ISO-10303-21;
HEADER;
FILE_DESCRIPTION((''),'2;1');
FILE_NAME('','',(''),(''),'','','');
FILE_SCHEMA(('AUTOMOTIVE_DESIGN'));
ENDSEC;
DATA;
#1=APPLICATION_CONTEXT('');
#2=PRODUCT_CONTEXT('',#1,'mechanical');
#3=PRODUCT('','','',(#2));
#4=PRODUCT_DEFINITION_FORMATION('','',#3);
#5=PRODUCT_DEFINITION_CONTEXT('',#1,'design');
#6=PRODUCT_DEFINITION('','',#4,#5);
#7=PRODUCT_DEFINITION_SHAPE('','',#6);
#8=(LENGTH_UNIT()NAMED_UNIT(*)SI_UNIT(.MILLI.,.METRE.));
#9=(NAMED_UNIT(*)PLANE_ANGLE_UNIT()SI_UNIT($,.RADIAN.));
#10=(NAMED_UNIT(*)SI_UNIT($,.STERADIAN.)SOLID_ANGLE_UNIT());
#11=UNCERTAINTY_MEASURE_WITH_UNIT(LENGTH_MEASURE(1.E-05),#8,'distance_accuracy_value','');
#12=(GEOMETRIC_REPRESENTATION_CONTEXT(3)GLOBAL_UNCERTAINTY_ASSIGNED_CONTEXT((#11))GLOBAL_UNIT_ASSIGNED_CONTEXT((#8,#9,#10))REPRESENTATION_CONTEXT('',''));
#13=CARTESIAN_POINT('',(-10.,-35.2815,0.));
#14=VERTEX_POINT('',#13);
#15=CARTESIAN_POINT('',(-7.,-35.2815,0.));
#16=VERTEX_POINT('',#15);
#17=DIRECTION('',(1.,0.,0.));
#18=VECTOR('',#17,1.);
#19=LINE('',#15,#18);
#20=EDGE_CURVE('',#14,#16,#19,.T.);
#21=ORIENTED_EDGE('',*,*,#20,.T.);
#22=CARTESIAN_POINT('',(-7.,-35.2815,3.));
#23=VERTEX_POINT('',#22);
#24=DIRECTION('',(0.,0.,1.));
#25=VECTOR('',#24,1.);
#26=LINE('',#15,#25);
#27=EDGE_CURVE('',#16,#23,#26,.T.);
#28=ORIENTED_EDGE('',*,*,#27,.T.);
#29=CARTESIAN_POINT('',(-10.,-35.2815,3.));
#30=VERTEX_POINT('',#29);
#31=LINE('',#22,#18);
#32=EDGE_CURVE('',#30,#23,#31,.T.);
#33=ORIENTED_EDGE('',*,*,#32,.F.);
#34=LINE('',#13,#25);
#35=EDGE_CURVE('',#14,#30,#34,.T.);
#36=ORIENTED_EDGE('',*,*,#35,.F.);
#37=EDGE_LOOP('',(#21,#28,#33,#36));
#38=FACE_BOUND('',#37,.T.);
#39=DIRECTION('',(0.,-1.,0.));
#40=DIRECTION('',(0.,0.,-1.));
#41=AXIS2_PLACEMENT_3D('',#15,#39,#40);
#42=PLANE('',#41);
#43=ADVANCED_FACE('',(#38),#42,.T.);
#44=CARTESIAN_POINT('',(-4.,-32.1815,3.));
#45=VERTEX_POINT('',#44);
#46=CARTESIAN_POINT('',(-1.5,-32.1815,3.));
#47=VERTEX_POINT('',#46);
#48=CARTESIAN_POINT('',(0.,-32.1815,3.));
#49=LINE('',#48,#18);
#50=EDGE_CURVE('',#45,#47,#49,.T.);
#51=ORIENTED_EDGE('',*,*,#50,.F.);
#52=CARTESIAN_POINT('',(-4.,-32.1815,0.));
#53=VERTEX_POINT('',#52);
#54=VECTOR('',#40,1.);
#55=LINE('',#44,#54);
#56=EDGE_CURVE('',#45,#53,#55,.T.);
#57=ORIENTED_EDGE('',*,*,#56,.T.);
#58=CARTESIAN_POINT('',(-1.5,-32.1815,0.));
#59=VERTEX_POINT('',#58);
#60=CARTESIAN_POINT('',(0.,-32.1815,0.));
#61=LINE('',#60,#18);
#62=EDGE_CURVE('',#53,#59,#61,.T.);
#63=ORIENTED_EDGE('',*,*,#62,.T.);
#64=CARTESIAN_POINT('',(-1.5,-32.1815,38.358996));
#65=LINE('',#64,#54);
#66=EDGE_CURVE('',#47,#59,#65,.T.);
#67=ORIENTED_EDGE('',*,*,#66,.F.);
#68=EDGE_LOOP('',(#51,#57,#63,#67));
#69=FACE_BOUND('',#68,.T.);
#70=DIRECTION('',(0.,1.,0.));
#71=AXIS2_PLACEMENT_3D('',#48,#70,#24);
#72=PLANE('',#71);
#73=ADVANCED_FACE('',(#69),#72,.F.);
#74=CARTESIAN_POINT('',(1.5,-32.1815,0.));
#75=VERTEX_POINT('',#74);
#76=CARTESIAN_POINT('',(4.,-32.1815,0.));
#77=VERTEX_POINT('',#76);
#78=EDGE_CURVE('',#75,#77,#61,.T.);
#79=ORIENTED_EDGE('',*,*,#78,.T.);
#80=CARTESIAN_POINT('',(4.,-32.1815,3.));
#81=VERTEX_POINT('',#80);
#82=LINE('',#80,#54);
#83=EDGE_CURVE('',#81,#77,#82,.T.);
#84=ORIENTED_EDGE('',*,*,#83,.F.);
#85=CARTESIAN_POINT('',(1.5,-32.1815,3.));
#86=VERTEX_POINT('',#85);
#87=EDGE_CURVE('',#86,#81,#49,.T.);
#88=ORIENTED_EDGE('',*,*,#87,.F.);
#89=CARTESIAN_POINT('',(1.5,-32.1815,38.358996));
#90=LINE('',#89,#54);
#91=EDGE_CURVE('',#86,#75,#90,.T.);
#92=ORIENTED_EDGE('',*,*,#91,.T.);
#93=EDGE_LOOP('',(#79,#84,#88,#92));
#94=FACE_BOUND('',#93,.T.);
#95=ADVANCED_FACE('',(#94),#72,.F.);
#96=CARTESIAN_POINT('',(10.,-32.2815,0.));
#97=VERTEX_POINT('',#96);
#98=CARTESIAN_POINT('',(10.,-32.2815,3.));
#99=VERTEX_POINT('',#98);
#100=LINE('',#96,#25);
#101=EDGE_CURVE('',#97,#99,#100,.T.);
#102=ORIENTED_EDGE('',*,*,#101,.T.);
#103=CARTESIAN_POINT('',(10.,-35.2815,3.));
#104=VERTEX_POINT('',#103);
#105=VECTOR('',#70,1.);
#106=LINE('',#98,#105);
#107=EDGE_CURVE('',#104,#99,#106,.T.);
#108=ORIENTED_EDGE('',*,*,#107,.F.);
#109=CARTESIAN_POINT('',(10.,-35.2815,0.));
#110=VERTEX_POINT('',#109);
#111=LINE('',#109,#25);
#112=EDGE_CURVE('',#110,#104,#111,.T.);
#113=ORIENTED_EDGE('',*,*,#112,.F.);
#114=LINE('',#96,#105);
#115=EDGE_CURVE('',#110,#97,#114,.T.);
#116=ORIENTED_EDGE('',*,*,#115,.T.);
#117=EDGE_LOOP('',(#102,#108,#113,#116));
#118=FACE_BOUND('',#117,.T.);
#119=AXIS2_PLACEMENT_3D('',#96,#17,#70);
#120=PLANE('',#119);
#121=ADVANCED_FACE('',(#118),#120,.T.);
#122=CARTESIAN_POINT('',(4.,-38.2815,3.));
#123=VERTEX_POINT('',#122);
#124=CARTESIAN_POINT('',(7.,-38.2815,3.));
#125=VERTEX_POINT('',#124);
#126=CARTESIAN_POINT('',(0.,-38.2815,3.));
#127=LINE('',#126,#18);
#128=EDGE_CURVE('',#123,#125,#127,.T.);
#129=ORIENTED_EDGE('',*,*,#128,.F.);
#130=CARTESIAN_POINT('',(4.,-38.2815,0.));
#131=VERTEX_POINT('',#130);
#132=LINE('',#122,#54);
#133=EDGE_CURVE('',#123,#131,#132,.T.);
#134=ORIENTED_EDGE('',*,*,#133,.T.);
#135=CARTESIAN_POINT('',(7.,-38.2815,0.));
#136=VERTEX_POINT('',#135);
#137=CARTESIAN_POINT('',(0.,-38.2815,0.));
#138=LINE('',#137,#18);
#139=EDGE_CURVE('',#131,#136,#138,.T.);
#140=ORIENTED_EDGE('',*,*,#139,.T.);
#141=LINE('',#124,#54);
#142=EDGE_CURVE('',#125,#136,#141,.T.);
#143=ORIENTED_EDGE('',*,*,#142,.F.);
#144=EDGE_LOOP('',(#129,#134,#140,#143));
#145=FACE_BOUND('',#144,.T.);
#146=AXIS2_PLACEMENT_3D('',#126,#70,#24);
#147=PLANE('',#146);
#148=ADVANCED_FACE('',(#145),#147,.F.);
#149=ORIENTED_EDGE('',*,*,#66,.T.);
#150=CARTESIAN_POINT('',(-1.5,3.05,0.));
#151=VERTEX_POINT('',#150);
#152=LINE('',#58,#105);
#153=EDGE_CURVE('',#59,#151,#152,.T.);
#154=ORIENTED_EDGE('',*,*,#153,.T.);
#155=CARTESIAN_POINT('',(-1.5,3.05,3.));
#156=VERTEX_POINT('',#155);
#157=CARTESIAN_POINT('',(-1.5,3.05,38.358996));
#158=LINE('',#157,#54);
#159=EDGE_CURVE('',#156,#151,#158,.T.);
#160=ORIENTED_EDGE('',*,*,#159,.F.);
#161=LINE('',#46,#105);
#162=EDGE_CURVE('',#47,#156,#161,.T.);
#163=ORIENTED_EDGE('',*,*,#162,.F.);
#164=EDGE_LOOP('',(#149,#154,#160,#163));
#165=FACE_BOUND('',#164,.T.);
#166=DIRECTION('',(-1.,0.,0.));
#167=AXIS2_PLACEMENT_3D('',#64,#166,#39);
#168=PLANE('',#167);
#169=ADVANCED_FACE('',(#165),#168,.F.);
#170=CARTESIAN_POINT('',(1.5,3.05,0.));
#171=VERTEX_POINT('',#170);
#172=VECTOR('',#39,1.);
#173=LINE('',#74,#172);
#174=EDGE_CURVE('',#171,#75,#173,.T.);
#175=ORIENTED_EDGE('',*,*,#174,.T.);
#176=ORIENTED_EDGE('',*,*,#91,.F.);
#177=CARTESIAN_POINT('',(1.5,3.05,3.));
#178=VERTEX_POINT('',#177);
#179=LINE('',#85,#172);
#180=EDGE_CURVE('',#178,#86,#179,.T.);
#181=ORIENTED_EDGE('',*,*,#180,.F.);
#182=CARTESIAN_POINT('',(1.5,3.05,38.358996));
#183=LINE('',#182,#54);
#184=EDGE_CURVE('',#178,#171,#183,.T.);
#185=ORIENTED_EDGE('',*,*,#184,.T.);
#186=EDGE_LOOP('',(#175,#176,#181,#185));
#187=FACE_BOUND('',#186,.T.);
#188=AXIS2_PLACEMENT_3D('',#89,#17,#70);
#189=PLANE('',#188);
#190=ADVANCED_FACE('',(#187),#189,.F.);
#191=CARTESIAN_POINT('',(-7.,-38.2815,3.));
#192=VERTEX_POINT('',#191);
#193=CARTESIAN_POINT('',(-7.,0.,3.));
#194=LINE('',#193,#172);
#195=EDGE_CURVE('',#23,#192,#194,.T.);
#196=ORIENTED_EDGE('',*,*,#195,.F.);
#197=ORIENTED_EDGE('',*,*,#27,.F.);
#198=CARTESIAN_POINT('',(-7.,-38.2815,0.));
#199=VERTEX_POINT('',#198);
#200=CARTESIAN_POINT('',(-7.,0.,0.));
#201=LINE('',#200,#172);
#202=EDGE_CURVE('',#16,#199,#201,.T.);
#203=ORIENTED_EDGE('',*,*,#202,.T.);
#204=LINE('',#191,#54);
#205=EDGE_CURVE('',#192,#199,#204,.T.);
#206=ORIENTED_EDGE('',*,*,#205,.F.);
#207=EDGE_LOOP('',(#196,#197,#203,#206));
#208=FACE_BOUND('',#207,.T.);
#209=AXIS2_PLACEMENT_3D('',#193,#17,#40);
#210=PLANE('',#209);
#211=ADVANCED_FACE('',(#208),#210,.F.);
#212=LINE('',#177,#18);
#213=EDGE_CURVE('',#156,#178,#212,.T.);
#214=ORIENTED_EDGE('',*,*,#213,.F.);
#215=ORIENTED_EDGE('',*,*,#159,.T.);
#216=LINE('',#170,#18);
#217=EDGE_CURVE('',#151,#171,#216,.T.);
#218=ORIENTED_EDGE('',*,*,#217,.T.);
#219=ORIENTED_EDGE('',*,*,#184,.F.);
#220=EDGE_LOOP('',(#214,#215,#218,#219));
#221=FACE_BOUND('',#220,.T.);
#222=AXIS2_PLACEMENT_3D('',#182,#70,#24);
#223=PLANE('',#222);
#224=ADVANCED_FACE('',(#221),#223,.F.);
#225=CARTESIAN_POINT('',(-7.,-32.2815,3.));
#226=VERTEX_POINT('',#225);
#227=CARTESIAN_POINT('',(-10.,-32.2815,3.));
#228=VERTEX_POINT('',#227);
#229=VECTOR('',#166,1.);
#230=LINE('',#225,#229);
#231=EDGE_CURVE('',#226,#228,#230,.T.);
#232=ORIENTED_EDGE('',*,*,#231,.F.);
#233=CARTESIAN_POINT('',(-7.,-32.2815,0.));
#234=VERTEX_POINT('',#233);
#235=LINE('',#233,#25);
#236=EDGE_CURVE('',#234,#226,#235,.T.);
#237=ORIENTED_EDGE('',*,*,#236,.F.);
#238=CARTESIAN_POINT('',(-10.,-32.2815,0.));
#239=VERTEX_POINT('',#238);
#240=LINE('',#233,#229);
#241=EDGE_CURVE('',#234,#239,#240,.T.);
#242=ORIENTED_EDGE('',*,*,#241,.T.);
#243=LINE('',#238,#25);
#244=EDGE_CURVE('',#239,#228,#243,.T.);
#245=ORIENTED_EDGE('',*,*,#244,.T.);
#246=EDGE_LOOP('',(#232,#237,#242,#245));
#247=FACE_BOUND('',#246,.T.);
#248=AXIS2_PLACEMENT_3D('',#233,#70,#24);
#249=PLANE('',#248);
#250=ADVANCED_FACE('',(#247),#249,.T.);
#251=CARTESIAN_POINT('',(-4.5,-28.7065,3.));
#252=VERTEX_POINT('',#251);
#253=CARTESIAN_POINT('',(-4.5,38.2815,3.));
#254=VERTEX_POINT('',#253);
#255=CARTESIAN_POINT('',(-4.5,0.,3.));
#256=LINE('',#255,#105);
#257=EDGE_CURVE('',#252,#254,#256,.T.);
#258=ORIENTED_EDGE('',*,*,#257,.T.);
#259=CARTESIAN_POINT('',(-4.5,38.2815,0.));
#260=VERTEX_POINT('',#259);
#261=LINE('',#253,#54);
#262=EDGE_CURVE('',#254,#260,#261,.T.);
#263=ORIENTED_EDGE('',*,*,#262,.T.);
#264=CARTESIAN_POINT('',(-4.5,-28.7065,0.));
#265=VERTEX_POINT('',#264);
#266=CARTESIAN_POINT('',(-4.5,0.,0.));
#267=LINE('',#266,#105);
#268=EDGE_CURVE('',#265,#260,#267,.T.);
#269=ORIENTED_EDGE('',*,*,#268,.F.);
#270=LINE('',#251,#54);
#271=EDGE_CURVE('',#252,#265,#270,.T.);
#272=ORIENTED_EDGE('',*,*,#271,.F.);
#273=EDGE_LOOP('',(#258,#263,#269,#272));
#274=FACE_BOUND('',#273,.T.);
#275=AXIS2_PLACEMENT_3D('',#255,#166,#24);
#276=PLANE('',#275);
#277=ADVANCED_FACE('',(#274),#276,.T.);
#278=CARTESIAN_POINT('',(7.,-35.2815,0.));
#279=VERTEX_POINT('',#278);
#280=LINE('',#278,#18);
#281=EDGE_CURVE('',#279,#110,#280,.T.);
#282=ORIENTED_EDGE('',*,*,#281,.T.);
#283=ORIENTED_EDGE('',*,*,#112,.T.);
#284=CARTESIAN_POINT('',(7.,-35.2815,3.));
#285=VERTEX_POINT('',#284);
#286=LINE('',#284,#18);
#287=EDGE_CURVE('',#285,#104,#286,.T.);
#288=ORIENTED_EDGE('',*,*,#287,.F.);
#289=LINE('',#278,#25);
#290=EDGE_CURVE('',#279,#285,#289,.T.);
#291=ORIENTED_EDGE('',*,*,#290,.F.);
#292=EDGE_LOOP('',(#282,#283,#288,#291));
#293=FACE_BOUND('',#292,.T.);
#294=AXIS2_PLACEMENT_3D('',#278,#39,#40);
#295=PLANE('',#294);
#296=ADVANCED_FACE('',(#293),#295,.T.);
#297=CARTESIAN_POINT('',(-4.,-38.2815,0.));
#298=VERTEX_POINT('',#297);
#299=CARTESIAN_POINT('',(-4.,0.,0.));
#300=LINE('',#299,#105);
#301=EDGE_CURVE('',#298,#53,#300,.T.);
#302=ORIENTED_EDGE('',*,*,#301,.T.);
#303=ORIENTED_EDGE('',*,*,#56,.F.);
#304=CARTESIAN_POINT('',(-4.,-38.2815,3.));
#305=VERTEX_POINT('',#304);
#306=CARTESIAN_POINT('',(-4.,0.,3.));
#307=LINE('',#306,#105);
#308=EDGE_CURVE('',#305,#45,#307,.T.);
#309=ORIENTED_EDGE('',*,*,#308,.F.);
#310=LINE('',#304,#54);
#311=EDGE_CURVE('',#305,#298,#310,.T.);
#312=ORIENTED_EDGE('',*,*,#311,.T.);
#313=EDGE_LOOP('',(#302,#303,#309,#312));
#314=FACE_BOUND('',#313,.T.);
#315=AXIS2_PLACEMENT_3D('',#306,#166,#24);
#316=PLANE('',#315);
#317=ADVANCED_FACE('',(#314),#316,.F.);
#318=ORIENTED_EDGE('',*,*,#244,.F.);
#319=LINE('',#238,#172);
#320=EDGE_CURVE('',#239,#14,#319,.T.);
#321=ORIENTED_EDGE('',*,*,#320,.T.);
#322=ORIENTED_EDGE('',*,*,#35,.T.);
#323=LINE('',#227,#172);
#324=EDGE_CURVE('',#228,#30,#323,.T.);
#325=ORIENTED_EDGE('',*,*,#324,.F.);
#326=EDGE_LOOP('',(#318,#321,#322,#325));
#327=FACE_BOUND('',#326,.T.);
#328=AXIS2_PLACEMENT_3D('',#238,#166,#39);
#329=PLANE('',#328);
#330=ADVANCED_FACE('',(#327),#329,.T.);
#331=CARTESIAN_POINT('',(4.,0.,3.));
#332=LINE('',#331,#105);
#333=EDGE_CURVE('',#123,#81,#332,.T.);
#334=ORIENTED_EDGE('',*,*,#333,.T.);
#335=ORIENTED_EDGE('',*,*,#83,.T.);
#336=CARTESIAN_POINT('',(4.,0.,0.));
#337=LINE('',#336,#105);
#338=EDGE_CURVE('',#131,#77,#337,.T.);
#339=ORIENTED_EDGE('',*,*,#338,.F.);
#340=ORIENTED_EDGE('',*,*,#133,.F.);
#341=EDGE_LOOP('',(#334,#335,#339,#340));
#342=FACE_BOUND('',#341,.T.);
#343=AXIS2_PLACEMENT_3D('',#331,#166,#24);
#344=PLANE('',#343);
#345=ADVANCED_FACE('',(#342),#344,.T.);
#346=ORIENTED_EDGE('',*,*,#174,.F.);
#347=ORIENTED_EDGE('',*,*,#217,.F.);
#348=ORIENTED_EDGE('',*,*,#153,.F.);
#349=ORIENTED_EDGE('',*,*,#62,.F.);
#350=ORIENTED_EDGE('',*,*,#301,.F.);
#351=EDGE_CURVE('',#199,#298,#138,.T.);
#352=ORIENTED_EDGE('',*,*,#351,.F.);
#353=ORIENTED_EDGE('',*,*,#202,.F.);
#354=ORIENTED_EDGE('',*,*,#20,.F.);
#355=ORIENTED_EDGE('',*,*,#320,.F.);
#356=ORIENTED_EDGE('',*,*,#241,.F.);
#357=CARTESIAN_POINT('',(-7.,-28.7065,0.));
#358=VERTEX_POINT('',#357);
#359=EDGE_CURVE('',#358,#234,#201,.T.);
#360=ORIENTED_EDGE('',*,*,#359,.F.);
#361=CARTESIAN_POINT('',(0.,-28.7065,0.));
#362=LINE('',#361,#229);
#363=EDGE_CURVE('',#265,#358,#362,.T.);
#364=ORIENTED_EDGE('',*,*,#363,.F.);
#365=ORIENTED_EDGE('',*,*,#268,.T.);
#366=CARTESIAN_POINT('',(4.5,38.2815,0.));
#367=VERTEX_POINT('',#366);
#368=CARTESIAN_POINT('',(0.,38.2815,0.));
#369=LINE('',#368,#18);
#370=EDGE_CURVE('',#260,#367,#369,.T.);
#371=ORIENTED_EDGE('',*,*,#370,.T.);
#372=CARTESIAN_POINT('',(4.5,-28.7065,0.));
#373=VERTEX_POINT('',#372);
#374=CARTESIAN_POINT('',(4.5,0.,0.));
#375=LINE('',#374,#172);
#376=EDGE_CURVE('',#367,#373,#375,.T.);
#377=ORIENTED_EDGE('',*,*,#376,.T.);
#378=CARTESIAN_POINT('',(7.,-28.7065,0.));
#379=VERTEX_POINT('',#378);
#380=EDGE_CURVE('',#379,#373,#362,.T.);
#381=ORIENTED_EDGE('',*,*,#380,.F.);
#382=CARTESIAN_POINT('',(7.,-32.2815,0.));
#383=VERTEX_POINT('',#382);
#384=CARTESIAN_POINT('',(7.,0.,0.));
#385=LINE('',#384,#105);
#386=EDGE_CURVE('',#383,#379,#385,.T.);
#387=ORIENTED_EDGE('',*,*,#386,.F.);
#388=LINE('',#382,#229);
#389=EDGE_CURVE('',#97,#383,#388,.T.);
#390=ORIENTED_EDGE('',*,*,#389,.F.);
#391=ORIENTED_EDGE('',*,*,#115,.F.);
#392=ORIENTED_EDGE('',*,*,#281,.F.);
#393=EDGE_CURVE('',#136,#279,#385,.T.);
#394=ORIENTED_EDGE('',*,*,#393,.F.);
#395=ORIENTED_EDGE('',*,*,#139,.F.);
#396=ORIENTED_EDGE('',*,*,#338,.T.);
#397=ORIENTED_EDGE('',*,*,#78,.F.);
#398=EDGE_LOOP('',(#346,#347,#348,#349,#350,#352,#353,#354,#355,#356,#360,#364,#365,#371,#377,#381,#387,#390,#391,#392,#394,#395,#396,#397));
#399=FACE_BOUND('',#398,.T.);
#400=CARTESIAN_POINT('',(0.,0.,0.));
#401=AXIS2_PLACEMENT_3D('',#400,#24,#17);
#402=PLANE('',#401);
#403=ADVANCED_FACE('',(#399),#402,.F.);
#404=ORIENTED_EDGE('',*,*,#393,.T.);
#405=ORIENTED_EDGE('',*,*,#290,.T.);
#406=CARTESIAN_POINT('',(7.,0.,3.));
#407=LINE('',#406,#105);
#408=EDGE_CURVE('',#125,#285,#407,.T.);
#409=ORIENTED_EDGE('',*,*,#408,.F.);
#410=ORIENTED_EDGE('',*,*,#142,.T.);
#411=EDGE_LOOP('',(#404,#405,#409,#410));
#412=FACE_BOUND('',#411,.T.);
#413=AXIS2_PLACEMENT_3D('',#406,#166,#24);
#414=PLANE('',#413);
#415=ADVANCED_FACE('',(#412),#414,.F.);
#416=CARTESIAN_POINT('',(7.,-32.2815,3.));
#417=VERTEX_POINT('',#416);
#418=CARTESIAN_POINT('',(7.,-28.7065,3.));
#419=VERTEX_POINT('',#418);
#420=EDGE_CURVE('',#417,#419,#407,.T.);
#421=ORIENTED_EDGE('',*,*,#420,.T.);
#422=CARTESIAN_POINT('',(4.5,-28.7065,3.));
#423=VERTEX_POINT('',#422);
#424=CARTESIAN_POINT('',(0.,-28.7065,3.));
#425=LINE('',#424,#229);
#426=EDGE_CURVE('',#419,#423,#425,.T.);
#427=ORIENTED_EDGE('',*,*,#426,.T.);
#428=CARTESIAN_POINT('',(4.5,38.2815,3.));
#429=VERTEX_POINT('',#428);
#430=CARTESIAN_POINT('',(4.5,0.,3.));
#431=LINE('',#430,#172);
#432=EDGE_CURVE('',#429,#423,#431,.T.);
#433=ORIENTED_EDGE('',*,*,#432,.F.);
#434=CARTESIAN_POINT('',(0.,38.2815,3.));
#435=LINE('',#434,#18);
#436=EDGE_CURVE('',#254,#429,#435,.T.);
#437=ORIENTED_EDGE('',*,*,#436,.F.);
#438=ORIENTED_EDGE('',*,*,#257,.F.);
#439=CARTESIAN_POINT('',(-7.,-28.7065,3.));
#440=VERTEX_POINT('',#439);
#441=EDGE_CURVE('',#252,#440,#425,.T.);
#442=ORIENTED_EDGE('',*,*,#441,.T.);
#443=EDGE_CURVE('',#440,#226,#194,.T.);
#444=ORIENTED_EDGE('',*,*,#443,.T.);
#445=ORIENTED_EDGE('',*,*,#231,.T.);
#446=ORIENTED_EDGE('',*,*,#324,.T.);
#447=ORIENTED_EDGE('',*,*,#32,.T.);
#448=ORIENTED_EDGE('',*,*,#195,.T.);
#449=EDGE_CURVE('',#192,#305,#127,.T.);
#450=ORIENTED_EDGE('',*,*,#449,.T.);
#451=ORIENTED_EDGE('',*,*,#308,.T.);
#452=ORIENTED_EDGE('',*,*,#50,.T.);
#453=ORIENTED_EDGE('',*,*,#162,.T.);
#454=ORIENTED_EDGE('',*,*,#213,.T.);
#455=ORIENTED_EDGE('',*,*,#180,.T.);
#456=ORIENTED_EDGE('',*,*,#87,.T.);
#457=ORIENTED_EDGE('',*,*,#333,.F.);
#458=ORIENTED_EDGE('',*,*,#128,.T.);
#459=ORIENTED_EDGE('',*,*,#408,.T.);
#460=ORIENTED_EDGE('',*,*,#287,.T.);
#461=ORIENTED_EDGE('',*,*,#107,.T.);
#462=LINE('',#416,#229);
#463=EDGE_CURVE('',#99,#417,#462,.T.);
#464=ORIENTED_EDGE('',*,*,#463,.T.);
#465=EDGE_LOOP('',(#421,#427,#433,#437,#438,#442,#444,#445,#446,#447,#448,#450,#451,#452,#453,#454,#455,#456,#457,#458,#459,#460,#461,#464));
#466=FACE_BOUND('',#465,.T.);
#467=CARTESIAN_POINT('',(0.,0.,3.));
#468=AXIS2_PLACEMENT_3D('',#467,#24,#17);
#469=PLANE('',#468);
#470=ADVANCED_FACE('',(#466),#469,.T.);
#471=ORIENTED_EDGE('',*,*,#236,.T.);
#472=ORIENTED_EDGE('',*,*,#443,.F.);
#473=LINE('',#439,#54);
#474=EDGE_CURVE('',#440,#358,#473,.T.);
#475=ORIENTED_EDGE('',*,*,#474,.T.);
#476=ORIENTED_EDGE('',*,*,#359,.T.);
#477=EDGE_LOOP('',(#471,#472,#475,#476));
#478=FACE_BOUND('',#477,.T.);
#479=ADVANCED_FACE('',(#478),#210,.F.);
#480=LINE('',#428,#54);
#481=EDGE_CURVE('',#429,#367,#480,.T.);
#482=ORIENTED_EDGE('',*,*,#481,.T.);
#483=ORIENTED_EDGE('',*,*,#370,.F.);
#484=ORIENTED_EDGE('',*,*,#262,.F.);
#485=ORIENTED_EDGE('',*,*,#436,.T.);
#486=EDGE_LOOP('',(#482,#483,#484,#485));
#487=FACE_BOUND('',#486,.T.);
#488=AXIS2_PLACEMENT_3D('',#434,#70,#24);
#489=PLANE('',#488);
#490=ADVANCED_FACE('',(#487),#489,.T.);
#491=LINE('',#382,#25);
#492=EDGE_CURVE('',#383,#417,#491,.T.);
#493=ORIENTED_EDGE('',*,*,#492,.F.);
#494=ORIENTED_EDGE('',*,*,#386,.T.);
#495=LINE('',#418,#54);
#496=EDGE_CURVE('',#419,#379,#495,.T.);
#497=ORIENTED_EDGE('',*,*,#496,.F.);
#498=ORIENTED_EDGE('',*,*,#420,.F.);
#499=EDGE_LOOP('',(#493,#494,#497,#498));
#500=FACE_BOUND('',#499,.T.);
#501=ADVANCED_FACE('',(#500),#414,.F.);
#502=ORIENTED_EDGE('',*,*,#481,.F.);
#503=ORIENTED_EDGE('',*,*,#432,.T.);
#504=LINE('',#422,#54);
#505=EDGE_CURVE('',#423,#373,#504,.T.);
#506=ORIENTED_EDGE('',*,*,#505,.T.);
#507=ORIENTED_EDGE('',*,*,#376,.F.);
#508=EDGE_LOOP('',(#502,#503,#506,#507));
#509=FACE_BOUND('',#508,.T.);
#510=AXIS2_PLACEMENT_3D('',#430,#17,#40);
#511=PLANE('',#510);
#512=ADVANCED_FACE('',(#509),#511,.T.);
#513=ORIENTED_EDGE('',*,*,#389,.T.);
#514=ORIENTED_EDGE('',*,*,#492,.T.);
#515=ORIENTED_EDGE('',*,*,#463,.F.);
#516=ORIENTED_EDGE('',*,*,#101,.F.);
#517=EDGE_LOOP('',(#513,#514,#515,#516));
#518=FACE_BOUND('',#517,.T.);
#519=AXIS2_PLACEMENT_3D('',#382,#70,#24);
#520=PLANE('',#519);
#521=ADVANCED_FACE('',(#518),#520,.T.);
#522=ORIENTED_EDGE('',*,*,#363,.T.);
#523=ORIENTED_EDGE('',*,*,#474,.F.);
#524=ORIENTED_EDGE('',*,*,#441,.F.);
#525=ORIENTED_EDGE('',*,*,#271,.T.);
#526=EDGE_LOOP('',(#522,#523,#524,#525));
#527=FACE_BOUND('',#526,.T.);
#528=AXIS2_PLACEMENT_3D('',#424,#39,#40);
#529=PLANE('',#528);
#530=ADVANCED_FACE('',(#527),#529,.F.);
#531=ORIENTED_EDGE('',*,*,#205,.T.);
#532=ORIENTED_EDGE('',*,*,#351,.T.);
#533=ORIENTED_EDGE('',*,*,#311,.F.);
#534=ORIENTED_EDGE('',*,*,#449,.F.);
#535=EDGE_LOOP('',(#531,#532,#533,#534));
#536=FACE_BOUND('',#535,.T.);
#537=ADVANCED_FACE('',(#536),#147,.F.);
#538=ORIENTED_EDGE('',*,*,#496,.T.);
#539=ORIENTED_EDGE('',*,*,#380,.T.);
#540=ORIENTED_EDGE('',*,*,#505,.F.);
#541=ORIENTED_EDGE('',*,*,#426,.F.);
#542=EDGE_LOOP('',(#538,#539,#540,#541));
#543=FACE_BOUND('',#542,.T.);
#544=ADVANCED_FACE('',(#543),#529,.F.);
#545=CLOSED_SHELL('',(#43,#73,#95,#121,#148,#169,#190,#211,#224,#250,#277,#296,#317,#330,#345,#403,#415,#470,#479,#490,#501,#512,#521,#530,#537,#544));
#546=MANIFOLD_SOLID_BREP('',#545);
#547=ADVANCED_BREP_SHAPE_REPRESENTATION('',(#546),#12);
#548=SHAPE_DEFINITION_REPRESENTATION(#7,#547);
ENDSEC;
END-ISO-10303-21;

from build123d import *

# Parameters (mm, degrees)
EXTRUDE_1_DEPTH     = 3
SKETCH_2_W          = 3
SKETCH_2_H          = 35.231500037
CUT_EXTRUDE_1_DEPTH = 3
SKETCH_3_W          = 3
SKETCH_3_H          = 3
EXTRUDE_2_DEPTH     = 3


with BuildPart() as part:
    # 스케치1 → 보스-돌출1 (new body)
    with BuildSketch(Plane.XY):
        Polygon((-4.5, 38.281500037), (4.5, 38.281500037), (4.5, -28.706499941), (7, -28.706499941), (7, -38.281500037), (4, -38.281500037), (4, -32.181500037), (-4, -32.181500037), (-4, -38.281500037), (-7, -38.281500037), (-7, -28.706499941), (-4.5, -28.706499941), align=None)
    extrude(amount=EXTRUDE_1_DEPTH)

    # 스케치2 → 컷-돌출1 (cut)
    with BuildSketch(Plane(origin=(0, 0, 0), x_dir=(-1, 0, 0), z_dir=(0, 0, -1))):
        with Locations((0, -14.565750018)):
            Rectangle(SKETCH_2_W, SKETCH_2_H)
    extrude(amount=-CUT_EXTRUDE_1_DEPTH, mode=Mode.SUBTRACT)

    # 스케치3 → 보스-돌출2 (add)
    with BuildSketch(Plane.XY.offset(3)):
        with Locations((-8.5, -33.781500037)):
            Rectangle(SKETCH_3_W, SKETCH_3_H)
        with Locations((8.5, -33.781500037)):
            Rectangle(SKETCH_3_W, SKETCH_3_H)
    extrude(amount=-EXTRUDE_2_DEPTH)


solid = part.part
